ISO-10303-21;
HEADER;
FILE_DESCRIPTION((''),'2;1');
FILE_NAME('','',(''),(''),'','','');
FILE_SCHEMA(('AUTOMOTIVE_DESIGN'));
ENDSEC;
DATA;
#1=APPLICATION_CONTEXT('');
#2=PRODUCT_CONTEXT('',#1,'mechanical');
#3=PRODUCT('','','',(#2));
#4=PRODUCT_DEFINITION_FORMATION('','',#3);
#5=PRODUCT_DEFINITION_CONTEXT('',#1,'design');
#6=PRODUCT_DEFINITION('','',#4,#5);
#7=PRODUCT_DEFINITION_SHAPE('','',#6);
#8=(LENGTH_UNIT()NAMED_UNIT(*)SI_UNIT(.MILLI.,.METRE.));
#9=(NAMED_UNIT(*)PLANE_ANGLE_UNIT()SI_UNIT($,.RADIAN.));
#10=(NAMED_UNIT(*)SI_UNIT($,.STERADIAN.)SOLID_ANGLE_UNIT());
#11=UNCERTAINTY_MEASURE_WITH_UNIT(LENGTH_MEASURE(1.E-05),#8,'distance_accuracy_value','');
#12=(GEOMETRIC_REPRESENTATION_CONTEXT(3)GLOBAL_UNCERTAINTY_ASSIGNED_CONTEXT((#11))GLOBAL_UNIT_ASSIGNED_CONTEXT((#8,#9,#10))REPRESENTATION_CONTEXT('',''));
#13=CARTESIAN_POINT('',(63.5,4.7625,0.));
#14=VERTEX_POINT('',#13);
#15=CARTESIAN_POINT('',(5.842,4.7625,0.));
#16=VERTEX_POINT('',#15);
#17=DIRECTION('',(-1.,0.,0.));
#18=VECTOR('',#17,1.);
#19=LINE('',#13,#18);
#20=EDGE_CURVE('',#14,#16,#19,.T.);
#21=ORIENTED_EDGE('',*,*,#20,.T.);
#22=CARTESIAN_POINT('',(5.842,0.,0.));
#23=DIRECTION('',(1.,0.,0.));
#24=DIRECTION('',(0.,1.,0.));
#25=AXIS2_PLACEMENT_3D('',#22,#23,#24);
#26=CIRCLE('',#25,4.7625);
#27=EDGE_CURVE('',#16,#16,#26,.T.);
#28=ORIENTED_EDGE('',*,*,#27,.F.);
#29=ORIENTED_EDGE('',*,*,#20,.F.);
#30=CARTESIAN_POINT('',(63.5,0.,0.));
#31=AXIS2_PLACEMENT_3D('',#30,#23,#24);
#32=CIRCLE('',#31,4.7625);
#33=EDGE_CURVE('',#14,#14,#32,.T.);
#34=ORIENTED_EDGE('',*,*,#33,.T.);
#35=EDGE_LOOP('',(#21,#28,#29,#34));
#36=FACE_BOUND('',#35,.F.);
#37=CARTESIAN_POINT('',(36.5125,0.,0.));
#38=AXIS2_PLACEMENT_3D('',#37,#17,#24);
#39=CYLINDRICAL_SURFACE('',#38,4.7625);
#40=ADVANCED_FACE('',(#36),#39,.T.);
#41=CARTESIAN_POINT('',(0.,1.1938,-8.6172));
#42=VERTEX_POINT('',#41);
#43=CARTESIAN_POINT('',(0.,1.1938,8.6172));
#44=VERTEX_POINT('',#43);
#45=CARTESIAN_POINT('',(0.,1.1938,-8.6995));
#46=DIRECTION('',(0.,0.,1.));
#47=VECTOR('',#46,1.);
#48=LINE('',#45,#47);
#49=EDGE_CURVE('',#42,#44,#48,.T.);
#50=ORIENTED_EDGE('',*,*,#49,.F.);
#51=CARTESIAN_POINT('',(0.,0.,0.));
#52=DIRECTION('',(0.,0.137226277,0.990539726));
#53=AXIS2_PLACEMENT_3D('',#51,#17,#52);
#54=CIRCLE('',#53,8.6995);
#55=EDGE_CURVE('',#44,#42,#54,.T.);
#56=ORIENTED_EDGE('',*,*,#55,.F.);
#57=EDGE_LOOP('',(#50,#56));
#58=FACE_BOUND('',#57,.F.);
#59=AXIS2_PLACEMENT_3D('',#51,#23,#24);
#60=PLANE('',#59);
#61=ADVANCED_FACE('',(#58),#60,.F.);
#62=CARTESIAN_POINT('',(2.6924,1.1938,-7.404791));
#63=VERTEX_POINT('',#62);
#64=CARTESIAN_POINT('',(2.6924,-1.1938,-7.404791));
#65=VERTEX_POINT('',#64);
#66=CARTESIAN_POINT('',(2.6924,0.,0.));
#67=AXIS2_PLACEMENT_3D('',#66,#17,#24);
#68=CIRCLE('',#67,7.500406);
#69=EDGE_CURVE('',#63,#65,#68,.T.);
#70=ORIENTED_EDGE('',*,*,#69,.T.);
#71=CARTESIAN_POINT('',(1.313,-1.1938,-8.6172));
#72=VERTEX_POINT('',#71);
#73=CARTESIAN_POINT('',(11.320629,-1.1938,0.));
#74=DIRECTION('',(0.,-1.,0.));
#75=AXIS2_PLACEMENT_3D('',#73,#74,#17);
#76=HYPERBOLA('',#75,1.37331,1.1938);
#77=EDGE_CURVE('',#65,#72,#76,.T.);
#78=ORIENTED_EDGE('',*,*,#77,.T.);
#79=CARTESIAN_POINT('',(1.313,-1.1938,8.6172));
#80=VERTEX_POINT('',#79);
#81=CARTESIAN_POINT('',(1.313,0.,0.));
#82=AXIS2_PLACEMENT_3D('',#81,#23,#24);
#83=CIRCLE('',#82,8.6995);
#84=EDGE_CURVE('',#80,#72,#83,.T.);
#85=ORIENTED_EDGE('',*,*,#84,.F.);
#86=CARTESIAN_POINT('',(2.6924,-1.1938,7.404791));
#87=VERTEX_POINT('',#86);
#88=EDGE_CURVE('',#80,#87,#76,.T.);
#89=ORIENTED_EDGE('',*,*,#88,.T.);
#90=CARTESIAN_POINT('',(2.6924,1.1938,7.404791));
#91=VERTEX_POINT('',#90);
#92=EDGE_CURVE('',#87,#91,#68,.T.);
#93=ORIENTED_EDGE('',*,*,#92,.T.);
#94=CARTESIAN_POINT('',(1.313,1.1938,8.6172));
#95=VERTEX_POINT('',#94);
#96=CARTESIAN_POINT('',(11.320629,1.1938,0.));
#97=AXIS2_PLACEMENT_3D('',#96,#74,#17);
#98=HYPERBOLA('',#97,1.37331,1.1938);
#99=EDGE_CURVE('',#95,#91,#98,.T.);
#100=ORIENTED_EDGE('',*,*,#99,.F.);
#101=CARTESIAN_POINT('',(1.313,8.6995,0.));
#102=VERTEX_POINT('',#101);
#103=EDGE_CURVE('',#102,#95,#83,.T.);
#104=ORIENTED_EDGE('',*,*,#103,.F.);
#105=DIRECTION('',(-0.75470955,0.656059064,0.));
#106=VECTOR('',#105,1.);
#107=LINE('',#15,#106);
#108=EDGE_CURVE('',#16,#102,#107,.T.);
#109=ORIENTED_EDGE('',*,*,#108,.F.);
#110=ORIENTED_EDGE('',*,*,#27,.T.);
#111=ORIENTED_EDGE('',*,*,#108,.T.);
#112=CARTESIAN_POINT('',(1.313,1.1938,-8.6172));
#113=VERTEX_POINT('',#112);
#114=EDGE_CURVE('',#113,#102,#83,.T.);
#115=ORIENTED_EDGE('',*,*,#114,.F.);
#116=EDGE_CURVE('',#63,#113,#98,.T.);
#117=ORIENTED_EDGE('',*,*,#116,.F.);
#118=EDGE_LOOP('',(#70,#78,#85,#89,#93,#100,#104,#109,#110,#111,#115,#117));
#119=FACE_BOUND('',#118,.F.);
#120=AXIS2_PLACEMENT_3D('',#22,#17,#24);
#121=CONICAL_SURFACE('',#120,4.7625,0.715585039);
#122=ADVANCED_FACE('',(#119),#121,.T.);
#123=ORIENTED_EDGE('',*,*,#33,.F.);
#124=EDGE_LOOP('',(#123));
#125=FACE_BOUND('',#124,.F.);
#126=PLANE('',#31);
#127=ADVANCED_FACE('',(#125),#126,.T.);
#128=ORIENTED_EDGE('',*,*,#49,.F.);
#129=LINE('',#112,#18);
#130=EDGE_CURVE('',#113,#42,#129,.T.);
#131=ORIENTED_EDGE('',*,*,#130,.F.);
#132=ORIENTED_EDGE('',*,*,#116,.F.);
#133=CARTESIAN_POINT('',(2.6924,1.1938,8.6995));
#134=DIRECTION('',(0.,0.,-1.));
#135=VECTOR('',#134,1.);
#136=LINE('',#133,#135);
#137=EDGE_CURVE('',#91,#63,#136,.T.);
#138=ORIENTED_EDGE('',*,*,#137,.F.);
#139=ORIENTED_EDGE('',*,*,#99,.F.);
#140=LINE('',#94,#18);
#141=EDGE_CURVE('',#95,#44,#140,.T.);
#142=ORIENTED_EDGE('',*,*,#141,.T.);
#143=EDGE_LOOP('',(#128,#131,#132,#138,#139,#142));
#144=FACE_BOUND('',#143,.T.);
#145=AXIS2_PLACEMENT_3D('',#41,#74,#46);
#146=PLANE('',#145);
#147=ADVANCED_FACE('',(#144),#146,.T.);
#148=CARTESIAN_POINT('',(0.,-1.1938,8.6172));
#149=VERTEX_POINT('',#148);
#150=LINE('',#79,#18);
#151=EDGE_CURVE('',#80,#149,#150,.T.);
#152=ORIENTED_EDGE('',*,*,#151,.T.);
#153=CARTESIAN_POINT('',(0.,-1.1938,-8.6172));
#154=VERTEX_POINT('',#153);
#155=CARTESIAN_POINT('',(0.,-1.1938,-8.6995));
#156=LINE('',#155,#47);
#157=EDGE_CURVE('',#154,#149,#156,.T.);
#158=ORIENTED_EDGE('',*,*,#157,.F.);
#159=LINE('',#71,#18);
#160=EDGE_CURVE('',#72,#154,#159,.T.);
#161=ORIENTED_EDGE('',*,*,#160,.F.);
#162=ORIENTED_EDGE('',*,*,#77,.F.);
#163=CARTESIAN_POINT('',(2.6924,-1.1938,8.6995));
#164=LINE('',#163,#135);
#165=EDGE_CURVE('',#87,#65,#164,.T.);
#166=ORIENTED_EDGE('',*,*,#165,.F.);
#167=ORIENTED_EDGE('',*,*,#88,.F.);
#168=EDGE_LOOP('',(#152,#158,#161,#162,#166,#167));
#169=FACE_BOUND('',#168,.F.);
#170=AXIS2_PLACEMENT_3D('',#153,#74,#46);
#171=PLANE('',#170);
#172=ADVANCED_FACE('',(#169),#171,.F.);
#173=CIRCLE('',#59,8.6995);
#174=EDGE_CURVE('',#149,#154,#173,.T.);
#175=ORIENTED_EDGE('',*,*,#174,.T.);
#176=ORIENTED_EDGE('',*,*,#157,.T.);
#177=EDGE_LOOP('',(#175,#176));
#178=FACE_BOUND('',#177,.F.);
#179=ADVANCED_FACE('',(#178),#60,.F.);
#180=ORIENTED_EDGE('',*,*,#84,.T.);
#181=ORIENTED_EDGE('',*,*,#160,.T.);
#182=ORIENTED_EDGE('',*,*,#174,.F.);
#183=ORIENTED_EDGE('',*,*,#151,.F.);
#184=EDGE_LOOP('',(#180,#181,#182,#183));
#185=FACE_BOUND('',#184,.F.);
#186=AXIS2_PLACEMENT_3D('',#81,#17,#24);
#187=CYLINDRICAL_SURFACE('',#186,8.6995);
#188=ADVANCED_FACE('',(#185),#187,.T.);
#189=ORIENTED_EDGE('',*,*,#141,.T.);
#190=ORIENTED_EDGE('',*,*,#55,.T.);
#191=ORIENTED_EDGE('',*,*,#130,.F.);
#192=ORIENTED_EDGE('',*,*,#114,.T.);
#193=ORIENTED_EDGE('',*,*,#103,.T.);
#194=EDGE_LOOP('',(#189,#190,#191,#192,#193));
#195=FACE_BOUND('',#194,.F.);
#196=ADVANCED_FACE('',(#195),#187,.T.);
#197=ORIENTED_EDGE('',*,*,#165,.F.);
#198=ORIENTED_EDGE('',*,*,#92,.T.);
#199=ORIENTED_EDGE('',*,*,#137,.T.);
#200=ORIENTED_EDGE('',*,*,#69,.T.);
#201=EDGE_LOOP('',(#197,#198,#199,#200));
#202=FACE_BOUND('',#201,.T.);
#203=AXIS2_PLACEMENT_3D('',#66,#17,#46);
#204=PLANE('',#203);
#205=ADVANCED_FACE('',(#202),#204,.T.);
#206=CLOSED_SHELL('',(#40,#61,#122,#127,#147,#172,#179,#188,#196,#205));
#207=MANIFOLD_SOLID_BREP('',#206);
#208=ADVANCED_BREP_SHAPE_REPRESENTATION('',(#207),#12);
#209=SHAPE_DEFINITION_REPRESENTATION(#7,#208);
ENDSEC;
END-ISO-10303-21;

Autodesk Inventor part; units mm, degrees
ref_plane "YZ Plane" through (0, 0, 0) normal (1, 0, 0) x (0, 1, 0)
ref_plane "XZ Plane" through (0, 0, 0) normal (0, 1, 0) x (-1, 0, 0)
sketch "Sketch1" plane through (0, 0, 0) normal (0, 0, 1) x (1, 0, 0)
  line L0 (-12.7, 0) -> (76.2, 0) projected
  line L1 (0, 0) -> (63.5, 0)
  line L2 (63.5, 0) -> (63.5, 4.7625)
  line L3 (63.5, 4.7625) -> (38.1, 4.7625)
  line L4 (38.1, 4.7625) -> (36.5125, 4.7625)
  line L5 (36.5125, 4.7625) -> (5.842, 4.7625)
  line L6 (5.842, 4.7625) -> (5.842, 4.7625)
  line L7 (5.842, 4.7625) -> (1.313, 8.6995)
  line L8 (1.313, 8.6995) -> (0, 8.6995)
  line L9 (0, 8.6995) -> (0, 0)
  line L10 (0, -1.7399) -> (0, 10.4394) projected
  line L11 (38.1, 4.7625) -> (5.842, 4.7625) construction
  dimension "d2" = 63.5
  dimension "d3" = 5.842
  dimension "d4" = 25.4
  dimension "d5" = 1.5875
  dimension "d6" = 9.525
  dimension "d7" = 9.525
  dimension "d8" = 9.525
  dimension "d9" = 17.399
  dimension "d10" = 41
revolve "Body" add sketch "Sketch1" angle 360 about axis through (0, 0, 0) along (1, 0, 0)
sketch "Sketch2" plane through (0, 0, 0) normal (-1, 0, 0) x (0, 0, 1)
  circle A0 centre (0, 0) radius 8.6995 projected
  line L0 (-12.1793, 0) -> (12.1793, 0) projected
  line L1 (-8.6995, 0) -> (-8.6995, 1.1938)
  line L2 (-8.6995, 1.1938) -> (8.6995, 1.1938)
  line L3 (8.6995, 0) -> (8.6995, 1.1938)
  line L4 (-8.6995, 0) -> (-8.6995, -1.1938)
  line L5 (-8.6995, -1.1938) -> (8.6995, -1.1938)
  line L6 (8.6995, 0) -> (8.6995, -1.1938)
  dimension "d15" = 2.3876
extrude "Slot" cut sketch "Sketch2" against normal blind 2.6924 contours L0 A0 L2 | L6 L5 A0 | A0 L5 L0 | A0 L2 L3 | L1 L2 A0 | A0 L5 L4
thread "Thread" size "3/8-16 UNC" class "2A" standard "ANSI Unified Screw Threads" length 25.4
ref_plane "Work Plane1" through (7.5584, 0, 0) normal (0, 0, -1) x (1, 0, 0)
equation "\"d2\" = NLG"
equation "\"d3\" = KOH"
equation "\"d4\" = GEL"
equation "\"d5\" = GAL"
equation "\"d6\" = GD"
equation "\"d7\" = BDM"
equation "\"d8\" = KOD1"
equation "\"d9\" = KOD"
equation "\"d10\" = 0.5 * SEWI"
equation "\"d15\" = SBR"
equation "\"d16\" = STI"
equation "\"d12\" = GEL"
equation "\"NND\" = 9.525"
equation "\"NLG\" = 63.5"
equation "\"GEL\" = 25.4"
equation "\"KOH\" = 5.842"
equation "\"KOD\" = 17.399"
equation "\"SBR\" = 2.3876"
equation "\"STI\" = 2.6924"
equation "\"GAL\" = 1.5875"
equation "\"SPD\" = 7.14375"
equation "\"GD\" = NND"
equation "\"KOD1\" = NND"
equation "\"BDM\" = NND"
equation "\"SEWI\" = 82deg"
equation "\"GUL\" = 0.0254"
equation "\"THREADDIA\" = 9.525"
equation "\"TOA\" = 30deg"
equation "\"GD1\" = SPD"
properties part number "ANSI B18.6.3 - 3/8-16 x 2 1/2, SFCHMSI(1)" material "Steel, Mild"
